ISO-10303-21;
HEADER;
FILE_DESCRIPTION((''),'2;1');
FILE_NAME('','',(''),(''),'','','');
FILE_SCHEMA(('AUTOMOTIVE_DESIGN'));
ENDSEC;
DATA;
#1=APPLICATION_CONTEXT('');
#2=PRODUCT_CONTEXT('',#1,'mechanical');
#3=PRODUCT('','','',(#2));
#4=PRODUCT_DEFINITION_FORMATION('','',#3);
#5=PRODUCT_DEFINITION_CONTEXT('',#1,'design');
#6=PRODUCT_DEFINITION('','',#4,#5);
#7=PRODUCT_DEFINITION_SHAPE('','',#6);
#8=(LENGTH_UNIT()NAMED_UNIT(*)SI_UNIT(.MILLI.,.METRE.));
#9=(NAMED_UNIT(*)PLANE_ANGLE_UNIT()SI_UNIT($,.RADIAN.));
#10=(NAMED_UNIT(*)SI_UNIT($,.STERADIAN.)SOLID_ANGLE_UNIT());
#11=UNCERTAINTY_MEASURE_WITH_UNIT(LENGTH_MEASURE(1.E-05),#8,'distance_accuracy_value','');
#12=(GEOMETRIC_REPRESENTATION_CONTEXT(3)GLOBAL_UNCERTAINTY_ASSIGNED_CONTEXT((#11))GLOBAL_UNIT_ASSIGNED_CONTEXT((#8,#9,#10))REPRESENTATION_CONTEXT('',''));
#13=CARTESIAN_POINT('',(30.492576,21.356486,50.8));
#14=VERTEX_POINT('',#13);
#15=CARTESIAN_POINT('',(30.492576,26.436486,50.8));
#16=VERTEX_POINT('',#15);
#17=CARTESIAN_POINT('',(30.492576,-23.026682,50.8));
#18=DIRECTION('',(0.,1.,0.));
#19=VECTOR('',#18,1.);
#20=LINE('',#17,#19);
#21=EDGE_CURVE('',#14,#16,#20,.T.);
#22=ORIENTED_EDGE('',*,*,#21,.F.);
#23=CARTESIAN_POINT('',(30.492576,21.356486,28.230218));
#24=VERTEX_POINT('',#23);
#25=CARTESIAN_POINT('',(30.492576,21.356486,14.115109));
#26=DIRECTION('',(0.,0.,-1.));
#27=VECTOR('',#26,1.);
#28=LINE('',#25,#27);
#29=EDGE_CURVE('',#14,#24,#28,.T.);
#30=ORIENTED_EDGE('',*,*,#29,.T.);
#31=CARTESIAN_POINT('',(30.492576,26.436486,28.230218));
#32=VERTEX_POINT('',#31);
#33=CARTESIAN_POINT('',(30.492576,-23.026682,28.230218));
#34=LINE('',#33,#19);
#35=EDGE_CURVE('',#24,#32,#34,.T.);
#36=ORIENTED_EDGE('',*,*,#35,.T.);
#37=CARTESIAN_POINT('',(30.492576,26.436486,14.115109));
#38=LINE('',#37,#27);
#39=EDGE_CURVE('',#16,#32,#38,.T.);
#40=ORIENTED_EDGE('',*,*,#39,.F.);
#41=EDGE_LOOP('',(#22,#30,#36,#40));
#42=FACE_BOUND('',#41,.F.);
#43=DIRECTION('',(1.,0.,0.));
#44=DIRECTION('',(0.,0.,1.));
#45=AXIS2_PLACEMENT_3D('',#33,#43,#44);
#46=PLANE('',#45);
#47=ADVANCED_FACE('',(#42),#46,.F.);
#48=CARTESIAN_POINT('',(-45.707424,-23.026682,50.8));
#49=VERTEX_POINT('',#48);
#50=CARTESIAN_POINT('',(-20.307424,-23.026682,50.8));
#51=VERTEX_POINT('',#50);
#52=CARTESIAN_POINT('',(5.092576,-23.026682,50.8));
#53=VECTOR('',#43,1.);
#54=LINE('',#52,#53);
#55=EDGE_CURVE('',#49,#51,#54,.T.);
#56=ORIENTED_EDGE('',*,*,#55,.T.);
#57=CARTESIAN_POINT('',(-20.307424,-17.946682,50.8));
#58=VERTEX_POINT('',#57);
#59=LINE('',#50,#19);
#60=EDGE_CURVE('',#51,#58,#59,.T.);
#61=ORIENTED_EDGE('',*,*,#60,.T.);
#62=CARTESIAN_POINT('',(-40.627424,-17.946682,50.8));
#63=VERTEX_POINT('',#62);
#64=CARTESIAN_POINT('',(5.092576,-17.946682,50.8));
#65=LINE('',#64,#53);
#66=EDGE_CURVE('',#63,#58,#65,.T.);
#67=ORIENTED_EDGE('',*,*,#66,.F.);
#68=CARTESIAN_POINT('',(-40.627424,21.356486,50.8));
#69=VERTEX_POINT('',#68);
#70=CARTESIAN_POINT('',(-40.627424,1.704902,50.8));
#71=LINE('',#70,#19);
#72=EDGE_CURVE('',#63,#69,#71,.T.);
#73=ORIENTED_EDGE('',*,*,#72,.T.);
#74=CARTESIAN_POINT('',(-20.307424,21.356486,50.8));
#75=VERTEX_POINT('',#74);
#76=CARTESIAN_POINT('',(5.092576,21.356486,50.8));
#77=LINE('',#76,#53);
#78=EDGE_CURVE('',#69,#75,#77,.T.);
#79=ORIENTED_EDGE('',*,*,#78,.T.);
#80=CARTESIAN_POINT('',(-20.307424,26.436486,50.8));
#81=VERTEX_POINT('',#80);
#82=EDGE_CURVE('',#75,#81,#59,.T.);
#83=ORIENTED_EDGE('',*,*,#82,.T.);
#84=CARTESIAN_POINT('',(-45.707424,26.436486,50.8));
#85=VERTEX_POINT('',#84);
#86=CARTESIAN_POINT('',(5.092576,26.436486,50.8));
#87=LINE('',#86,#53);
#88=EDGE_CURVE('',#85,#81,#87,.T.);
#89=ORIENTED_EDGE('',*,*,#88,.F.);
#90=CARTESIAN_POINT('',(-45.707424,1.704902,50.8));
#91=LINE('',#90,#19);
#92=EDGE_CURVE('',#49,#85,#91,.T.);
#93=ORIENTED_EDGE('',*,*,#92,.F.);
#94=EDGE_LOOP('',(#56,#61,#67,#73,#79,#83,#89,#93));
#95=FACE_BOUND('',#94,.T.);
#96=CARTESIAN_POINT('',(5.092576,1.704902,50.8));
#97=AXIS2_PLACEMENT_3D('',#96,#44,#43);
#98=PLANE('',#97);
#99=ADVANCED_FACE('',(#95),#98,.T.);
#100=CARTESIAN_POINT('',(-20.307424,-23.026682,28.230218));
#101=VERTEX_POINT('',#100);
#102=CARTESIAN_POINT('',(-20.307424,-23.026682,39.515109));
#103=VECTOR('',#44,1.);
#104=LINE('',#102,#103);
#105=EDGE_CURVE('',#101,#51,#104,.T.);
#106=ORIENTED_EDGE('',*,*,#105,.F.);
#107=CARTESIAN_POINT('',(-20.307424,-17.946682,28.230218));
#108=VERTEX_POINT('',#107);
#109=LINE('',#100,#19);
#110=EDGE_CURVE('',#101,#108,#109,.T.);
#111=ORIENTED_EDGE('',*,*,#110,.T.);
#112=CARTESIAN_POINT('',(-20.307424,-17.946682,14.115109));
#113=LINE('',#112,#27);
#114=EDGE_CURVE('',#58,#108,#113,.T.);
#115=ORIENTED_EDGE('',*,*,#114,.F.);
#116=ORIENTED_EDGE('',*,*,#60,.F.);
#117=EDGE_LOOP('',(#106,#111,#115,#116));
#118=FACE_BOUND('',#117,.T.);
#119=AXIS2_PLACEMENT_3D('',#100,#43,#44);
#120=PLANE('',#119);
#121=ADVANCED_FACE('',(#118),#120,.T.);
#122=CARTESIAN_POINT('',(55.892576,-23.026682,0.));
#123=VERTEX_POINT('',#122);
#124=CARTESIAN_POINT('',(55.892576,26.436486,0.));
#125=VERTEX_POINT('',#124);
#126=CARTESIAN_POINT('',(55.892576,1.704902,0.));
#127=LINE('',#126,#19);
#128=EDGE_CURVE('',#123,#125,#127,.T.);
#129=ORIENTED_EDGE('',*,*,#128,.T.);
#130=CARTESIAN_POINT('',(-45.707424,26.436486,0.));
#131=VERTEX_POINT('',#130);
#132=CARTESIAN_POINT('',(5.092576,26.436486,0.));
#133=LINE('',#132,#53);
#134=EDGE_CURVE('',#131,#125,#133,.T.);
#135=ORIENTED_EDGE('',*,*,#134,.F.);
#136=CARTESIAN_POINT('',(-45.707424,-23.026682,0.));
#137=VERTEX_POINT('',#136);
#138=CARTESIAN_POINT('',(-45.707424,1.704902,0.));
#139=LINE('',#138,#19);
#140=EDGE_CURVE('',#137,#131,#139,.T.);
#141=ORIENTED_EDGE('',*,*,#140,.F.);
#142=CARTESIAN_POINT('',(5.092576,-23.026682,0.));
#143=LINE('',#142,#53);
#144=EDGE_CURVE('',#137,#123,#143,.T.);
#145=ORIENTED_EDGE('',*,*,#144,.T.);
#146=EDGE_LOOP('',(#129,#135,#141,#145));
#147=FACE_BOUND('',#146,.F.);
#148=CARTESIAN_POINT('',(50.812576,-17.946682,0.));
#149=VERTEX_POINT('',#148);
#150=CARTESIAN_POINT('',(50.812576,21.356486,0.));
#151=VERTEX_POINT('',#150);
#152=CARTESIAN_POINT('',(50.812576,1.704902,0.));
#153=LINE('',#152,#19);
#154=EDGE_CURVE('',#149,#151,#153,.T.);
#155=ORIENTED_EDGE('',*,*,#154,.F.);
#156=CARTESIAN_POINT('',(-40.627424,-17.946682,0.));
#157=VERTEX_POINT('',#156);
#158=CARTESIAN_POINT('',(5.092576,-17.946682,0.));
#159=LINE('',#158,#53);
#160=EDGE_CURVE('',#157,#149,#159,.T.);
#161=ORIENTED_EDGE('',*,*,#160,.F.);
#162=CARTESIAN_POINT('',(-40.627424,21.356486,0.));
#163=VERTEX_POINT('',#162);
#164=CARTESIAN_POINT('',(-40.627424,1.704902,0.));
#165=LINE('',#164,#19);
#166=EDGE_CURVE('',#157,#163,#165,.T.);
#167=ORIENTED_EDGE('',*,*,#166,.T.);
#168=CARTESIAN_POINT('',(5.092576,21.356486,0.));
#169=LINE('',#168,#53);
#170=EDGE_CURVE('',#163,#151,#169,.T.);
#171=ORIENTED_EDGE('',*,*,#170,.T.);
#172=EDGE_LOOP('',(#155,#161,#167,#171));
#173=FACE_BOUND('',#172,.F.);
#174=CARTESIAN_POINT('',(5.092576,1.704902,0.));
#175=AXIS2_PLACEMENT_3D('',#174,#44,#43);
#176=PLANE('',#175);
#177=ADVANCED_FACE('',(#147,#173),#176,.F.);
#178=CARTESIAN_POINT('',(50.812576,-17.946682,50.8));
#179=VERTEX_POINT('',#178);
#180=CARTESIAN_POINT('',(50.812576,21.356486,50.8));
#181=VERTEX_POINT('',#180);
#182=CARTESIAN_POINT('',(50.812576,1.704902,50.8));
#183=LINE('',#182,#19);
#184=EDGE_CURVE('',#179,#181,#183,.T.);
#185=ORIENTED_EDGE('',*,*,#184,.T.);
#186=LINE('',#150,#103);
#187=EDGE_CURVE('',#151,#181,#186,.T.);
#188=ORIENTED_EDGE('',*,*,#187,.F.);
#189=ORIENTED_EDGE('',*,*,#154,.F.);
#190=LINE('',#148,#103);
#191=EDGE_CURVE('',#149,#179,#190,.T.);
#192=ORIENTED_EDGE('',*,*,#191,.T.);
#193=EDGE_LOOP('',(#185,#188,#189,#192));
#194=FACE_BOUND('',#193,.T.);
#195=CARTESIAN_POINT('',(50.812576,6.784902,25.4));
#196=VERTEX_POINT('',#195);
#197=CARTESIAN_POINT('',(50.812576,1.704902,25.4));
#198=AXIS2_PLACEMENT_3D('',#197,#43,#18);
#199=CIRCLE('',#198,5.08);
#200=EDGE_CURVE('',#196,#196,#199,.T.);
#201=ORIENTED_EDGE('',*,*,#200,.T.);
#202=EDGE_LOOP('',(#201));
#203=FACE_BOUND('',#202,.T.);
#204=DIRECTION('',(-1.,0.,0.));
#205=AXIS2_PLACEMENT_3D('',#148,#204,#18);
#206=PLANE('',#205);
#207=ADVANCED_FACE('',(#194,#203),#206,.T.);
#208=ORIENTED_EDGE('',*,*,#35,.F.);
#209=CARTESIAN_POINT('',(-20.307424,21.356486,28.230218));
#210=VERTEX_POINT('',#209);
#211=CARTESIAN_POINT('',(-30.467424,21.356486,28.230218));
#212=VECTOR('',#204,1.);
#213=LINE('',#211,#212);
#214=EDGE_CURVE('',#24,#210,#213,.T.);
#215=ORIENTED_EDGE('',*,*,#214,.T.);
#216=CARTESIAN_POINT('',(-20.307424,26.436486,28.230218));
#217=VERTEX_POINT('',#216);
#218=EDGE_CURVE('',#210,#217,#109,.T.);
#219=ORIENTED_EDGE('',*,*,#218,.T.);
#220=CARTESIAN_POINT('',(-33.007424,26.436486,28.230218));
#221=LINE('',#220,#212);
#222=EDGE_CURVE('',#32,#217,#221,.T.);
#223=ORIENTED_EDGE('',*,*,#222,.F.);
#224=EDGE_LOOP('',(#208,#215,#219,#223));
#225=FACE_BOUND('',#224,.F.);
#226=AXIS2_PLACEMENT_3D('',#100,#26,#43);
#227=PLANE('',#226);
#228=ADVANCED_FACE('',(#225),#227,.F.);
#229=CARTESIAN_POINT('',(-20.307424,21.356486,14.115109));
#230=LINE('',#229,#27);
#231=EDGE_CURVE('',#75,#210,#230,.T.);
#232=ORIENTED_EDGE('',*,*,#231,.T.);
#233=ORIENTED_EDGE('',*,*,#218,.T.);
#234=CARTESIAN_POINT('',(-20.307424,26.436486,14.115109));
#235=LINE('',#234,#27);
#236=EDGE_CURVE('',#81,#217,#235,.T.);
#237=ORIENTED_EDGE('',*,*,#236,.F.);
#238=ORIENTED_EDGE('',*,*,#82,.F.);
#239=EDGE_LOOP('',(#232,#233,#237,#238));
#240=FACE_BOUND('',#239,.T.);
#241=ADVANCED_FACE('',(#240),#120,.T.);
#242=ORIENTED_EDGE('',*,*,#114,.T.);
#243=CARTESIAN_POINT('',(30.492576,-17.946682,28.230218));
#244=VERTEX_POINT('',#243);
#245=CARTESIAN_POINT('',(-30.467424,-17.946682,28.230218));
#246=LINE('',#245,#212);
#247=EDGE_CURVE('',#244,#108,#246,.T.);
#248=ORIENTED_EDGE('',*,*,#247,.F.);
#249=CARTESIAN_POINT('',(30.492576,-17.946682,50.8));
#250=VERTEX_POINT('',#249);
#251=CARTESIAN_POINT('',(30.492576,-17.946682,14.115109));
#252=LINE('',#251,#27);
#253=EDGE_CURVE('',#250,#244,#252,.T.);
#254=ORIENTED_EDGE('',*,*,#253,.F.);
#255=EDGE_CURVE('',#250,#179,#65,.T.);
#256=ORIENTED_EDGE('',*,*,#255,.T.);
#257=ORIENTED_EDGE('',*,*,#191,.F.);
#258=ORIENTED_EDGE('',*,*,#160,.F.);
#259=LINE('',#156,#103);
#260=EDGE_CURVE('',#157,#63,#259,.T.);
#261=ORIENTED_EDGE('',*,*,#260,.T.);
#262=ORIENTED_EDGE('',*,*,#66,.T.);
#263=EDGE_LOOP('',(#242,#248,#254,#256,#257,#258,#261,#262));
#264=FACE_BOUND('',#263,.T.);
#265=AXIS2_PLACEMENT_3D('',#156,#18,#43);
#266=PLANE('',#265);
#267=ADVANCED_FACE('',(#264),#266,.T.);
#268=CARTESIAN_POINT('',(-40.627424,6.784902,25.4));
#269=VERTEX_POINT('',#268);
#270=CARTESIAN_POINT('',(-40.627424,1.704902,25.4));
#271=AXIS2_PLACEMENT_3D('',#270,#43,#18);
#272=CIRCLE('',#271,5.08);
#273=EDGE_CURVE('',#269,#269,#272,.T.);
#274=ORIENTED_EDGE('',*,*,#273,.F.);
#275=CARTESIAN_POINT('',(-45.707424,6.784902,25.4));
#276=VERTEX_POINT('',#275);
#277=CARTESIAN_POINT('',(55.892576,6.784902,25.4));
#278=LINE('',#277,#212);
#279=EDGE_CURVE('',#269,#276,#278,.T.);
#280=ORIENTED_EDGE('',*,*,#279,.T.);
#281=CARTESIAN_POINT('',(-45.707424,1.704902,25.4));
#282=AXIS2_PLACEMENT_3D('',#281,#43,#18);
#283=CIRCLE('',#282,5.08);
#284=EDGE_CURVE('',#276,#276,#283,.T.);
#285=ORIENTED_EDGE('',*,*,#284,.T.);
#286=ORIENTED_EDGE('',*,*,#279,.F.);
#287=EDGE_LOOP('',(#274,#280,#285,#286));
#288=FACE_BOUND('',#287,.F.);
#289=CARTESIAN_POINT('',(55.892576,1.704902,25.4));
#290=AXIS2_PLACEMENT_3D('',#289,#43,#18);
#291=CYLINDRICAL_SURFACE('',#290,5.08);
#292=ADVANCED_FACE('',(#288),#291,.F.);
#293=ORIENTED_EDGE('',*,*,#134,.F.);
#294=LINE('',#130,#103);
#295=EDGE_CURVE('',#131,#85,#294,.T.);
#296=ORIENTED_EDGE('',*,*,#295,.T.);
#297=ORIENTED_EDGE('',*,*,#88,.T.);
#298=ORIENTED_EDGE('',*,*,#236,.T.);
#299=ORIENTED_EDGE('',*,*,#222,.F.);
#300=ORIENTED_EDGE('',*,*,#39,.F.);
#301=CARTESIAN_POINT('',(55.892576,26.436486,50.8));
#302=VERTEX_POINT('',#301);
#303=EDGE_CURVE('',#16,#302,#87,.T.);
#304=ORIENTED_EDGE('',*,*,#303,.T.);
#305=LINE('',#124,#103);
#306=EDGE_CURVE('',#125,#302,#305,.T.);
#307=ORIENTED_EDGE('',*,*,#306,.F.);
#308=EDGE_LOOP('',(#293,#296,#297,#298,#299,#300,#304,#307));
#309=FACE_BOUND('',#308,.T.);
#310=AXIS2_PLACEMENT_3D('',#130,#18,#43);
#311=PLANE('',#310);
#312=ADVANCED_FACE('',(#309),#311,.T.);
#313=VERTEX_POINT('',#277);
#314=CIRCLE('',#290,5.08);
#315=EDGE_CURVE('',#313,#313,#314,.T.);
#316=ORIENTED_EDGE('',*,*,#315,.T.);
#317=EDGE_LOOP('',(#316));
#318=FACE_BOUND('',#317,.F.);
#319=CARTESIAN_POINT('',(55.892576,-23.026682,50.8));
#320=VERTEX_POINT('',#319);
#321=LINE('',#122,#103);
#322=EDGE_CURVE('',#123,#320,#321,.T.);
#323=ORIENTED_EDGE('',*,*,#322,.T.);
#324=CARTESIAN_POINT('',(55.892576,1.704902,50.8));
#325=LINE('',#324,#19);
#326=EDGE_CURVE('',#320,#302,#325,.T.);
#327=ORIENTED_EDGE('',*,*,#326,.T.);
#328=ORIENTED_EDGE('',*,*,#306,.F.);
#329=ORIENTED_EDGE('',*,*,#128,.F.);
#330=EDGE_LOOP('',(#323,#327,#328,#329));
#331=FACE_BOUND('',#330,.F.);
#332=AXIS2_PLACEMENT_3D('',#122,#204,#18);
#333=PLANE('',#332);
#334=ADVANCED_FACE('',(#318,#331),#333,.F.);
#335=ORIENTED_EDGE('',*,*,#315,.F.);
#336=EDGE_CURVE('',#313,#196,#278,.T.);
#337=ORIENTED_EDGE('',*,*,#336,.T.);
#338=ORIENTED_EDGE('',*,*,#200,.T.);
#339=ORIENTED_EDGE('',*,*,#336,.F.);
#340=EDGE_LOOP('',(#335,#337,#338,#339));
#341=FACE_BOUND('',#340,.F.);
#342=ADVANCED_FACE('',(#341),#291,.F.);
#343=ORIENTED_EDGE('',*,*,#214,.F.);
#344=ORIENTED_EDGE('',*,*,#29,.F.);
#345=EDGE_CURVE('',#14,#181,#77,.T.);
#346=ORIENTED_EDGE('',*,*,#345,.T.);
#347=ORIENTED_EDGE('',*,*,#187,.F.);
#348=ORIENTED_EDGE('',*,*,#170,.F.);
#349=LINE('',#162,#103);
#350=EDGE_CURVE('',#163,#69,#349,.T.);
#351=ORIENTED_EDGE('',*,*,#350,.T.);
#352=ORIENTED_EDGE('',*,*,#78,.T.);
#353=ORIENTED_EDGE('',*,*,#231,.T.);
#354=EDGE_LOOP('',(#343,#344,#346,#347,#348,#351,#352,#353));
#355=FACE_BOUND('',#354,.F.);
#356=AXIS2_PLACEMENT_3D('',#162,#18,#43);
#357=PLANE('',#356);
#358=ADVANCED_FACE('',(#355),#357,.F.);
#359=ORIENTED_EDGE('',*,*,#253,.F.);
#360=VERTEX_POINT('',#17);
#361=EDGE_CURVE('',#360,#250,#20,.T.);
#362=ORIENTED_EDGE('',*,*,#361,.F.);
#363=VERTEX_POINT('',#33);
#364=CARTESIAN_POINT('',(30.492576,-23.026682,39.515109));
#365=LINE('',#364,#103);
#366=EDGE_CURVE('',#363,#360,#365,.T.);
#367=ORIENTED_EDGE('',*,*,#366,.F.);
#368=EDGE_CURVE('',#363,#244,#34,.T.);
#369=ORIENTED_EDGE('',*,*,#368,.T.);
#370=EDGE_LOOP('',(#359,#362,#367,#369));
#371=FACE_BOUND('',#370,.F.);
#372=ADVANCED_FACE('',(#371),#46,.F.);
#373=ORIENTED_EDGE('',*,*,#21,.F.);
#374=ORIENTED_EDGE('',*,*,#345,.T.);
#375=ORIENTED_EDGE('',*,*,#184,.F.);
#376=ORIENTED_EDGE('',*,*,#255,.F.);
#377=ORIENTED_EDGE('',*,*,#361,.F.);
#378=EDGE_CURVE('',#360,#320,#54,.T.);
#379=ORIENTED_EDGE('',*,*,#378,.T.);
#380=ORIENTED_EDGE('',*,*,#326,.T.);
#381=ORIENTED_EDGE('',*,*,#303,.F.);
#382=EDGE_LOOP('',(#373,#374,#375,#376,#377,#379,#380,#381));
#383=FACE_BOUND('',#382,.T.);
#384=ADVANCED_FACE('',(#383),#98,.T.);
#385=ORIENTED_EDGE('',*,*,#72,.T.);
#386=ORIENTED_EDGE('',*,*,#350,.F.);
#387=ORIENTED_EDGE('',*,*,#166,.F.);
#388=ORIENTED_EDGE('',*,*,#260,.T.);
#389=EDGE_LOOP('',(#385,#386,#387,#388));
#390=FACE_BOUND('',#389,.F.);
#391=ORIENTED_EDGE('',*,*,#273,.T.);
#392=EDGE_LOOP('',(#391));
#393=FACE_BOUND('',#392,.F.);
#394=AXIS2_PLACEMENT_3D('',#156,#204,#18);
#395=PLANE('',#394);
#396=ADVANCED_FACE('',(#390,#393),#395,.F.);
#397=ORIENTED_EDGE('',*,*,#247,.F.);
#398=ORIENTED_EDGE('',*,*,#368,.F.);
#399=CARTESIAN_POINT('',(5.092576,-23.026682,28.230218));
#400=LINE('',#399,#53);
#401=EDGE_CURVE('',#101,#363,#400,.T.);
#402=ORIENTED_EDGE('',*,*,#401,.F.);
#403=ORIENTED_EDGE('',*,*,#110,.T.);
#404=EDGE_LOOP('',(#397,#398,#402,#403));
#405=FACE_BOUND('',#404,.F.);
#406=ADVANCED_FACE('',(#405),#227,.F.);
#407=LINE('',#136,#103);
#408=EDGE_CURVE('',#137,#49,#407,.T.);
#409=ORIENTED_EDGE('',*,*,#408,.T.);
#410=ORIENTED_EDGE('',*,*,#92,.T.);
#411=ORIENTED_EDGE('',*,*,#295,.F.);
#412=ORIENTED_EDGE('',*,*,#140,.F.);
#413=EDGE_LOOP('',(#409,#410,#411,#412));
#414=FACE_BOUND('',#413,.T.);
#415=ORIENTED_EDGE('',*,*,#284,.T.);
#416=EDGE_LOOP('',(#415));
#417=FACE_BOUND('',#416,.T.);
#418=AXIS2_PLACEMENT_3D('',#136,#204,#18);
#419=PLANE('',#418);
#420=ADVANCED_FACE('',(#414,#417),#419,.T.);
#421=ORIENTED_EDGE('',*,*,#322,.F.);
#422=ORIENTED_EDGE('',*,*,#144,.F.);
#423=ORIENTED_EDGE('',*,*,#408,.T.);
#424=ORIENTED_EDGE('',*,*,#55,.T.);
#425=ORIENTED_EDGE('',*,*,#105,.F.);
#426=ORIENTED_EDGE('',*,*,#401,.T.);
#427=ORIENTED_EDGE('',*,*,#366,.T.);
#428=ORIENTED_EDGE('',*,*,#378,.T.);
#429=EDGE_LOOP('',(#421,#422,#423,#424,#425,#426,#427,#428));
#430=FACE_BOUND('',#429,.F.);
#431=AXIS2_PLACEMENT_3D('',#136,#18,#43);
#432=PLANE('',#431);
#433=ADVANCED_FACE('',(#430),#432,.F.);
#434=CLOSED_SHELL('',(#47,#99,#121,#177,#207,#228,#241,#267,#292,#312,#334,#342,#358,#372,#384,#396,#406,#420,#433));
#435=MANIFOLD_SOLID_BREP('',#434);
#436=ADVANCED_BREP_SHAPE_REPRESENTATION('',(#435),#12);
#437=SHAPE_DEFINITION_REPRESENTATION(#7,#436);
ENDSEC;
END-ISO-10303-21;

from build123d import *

# Parameters (mm, degrees)
F0_W     = 101.6
F0_H     = 49.463168
F0_W_2   = 91.44
F0_H_2   = 39.303168
F1_DEPTH = 50.8
F2_R     = 5.08
F3_DEPTH = 114.3
F4_W     = 50.8
F4_H     = 22.569782
F5_DEPTH = 63.5


with BuildPart() as f1:
    # F0 (on Top) → F1 (new body)
    with BuildSketch(Plane.XY):
        with Locations((5.092576, 1.704902)):
            Rectangle(F0_W, F0_H)
        with Locations((5.092576, 1.704902)):
            Rectangle(F0_W_2, F0_H_2, mode=Mode.SUBTRACT)
    extrude(amount=F1_DEPTH)

    # F2 (on face) → F3 (cut)
    with BuildSketch(Plane.YZ.offset(55.892576)):
        with Locations((1.704902, 25.4)):
            Circle(F2_R)
    extrude(amount=-F3_DEPTH, mode=Mode.SUBTRACT)

    # F4 (on face) → F5 (cut)
    with BuildSketch(Plane.XZ.offset(23.026682)):
        with Locations((5.092576, 39.515109)):
            Rectangle(F4_W, F4_H)
    extrude(amount=-F5_DEPTH, mode=Mode.SUBTRACT)


solid = f1.part
